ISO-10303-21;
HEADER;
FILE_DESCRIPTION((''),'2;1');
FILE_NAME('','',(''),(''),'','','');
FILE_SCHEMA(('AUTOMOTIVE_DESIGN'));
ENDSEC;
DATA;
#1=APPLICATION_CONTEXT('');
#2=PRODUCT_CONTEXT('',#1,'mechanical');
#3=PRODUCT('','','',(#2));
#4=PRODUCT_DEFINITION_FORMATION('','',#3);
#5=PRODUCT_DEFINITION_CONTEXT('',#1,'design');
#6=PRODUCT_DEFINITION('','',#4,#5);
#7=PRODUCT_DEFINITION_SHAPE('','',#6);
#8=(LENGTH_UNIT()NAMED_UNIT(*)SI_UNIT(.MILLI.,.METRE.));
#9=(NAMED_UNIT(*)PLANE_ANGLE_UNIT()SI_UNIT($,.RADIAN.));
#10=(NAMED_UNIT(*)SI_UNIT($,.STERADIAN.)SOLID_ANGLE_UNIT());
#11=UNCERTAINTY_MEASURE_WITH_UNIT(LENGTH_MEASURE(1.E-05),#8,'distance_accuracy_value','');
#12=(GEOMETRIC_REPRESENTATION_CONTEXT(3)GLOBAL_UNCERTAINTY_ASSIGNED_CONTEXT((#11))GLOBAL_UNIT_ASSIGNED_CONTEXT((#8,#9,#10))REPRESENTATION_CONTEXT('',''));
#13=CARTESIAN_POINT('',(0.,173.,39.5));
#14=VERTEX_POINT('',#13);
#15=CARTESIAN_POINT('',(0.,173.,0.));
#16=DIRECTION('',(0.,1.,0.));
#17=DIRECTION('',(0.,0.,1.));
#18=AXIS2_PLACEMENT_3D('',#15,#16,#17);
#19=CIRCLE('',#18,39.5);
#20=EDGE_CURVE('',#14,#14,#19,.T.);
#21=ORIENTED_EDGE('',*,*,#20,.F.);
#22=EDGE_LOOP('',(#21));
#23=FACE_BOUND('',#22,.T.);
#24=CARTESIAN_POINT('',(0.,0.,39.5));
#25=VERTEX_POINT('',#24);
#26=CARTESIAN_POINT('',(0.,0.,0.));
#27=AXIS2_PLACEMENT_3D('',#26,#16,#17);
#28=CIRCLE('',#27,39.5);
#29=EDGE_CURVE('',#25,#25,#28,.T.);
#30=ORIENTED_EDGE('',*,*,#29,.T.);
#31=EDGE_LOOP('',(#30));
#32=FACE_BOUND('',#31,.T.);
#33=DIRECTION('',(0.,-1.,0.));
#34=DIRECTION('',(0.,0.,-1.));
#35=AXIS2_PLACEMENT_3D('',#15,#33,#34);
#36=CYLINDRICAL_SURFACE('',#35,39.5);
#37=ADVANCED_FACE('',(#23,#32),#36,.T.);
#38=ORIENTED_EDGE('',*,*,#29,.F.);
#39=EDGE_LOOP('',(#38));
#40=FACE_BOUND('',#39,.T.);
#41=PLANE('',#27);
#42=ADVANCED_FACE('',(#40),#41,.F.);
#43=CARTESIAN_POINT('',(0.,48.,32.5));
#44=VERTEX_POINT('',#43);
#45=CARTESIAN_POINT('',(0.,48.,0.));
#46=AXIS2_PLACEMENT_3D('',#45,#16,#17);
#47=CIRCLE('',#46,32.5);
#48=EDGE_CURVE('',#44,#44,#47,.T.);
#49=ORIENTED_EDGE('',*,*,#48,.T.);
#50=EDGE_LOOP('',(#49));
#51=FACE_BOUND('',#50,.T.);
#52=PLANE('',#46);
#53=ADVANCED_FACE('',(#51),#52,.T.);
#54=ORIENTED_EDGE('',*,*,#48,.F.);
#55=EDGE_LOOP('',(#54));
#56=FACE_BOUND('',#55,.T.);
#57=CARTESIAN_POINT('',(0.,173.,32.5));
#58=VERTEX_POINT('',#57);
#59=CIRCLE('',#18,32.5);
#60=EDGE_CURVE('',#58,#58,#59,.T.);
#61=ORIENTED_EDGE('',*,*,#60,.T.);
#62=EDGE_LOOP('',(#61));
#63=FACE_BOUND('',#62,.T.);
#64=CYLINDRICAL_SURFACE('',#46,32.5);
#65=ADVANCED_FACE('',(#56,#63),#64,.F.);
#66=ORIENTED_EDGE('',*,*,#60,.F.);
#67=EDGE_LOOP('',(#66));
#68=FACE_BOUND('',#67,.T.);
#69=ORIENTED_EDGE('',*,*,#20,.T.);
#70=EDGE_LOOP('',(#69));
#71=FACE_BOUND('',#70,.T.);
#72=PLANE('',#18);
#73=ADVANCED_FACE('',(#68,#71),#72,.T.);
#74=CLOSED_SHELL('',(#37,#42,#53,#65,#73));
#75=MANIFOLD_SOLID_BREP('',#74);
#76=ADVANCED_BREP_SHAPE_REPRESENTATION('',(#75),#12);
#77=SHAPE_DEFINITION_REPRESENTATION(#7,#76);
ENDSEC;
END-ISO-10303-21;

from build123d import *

# Parameters (mm, degrees)
SKETCH1_R           = 39.5
BOSS_EXTRUDE1_DEPTH = 173
SKETCH2_R           = 32.5
CUT_EXTRUDE1_DEPTH  = 125


with BuildPart() as part:
    # Sketch1 → Boss-Extrude1 (new body)
    with BuildSketch(Plane(origin=(0, 0, 0), x_dir=(1, 0, 0), z_dir=(0, 1, 0))):
        Circle(SKETCH1_R)
    extrude(amount=BOSS_EXTRUDE1_DEPTH)

    # Sketch2 → Cut-Extrude1 (cut)
    with BuildSketch(Plane(origin=(0, 173, 0), x_dir=(1, 0, 0), z_dir=(0, 1, 0))):
        Circle(SKETCH2_R)
    extrude(amount=-CUT_EXTRUDE1_DEPTH, mode=Mode.SUBTRACT)


solid = part.part
